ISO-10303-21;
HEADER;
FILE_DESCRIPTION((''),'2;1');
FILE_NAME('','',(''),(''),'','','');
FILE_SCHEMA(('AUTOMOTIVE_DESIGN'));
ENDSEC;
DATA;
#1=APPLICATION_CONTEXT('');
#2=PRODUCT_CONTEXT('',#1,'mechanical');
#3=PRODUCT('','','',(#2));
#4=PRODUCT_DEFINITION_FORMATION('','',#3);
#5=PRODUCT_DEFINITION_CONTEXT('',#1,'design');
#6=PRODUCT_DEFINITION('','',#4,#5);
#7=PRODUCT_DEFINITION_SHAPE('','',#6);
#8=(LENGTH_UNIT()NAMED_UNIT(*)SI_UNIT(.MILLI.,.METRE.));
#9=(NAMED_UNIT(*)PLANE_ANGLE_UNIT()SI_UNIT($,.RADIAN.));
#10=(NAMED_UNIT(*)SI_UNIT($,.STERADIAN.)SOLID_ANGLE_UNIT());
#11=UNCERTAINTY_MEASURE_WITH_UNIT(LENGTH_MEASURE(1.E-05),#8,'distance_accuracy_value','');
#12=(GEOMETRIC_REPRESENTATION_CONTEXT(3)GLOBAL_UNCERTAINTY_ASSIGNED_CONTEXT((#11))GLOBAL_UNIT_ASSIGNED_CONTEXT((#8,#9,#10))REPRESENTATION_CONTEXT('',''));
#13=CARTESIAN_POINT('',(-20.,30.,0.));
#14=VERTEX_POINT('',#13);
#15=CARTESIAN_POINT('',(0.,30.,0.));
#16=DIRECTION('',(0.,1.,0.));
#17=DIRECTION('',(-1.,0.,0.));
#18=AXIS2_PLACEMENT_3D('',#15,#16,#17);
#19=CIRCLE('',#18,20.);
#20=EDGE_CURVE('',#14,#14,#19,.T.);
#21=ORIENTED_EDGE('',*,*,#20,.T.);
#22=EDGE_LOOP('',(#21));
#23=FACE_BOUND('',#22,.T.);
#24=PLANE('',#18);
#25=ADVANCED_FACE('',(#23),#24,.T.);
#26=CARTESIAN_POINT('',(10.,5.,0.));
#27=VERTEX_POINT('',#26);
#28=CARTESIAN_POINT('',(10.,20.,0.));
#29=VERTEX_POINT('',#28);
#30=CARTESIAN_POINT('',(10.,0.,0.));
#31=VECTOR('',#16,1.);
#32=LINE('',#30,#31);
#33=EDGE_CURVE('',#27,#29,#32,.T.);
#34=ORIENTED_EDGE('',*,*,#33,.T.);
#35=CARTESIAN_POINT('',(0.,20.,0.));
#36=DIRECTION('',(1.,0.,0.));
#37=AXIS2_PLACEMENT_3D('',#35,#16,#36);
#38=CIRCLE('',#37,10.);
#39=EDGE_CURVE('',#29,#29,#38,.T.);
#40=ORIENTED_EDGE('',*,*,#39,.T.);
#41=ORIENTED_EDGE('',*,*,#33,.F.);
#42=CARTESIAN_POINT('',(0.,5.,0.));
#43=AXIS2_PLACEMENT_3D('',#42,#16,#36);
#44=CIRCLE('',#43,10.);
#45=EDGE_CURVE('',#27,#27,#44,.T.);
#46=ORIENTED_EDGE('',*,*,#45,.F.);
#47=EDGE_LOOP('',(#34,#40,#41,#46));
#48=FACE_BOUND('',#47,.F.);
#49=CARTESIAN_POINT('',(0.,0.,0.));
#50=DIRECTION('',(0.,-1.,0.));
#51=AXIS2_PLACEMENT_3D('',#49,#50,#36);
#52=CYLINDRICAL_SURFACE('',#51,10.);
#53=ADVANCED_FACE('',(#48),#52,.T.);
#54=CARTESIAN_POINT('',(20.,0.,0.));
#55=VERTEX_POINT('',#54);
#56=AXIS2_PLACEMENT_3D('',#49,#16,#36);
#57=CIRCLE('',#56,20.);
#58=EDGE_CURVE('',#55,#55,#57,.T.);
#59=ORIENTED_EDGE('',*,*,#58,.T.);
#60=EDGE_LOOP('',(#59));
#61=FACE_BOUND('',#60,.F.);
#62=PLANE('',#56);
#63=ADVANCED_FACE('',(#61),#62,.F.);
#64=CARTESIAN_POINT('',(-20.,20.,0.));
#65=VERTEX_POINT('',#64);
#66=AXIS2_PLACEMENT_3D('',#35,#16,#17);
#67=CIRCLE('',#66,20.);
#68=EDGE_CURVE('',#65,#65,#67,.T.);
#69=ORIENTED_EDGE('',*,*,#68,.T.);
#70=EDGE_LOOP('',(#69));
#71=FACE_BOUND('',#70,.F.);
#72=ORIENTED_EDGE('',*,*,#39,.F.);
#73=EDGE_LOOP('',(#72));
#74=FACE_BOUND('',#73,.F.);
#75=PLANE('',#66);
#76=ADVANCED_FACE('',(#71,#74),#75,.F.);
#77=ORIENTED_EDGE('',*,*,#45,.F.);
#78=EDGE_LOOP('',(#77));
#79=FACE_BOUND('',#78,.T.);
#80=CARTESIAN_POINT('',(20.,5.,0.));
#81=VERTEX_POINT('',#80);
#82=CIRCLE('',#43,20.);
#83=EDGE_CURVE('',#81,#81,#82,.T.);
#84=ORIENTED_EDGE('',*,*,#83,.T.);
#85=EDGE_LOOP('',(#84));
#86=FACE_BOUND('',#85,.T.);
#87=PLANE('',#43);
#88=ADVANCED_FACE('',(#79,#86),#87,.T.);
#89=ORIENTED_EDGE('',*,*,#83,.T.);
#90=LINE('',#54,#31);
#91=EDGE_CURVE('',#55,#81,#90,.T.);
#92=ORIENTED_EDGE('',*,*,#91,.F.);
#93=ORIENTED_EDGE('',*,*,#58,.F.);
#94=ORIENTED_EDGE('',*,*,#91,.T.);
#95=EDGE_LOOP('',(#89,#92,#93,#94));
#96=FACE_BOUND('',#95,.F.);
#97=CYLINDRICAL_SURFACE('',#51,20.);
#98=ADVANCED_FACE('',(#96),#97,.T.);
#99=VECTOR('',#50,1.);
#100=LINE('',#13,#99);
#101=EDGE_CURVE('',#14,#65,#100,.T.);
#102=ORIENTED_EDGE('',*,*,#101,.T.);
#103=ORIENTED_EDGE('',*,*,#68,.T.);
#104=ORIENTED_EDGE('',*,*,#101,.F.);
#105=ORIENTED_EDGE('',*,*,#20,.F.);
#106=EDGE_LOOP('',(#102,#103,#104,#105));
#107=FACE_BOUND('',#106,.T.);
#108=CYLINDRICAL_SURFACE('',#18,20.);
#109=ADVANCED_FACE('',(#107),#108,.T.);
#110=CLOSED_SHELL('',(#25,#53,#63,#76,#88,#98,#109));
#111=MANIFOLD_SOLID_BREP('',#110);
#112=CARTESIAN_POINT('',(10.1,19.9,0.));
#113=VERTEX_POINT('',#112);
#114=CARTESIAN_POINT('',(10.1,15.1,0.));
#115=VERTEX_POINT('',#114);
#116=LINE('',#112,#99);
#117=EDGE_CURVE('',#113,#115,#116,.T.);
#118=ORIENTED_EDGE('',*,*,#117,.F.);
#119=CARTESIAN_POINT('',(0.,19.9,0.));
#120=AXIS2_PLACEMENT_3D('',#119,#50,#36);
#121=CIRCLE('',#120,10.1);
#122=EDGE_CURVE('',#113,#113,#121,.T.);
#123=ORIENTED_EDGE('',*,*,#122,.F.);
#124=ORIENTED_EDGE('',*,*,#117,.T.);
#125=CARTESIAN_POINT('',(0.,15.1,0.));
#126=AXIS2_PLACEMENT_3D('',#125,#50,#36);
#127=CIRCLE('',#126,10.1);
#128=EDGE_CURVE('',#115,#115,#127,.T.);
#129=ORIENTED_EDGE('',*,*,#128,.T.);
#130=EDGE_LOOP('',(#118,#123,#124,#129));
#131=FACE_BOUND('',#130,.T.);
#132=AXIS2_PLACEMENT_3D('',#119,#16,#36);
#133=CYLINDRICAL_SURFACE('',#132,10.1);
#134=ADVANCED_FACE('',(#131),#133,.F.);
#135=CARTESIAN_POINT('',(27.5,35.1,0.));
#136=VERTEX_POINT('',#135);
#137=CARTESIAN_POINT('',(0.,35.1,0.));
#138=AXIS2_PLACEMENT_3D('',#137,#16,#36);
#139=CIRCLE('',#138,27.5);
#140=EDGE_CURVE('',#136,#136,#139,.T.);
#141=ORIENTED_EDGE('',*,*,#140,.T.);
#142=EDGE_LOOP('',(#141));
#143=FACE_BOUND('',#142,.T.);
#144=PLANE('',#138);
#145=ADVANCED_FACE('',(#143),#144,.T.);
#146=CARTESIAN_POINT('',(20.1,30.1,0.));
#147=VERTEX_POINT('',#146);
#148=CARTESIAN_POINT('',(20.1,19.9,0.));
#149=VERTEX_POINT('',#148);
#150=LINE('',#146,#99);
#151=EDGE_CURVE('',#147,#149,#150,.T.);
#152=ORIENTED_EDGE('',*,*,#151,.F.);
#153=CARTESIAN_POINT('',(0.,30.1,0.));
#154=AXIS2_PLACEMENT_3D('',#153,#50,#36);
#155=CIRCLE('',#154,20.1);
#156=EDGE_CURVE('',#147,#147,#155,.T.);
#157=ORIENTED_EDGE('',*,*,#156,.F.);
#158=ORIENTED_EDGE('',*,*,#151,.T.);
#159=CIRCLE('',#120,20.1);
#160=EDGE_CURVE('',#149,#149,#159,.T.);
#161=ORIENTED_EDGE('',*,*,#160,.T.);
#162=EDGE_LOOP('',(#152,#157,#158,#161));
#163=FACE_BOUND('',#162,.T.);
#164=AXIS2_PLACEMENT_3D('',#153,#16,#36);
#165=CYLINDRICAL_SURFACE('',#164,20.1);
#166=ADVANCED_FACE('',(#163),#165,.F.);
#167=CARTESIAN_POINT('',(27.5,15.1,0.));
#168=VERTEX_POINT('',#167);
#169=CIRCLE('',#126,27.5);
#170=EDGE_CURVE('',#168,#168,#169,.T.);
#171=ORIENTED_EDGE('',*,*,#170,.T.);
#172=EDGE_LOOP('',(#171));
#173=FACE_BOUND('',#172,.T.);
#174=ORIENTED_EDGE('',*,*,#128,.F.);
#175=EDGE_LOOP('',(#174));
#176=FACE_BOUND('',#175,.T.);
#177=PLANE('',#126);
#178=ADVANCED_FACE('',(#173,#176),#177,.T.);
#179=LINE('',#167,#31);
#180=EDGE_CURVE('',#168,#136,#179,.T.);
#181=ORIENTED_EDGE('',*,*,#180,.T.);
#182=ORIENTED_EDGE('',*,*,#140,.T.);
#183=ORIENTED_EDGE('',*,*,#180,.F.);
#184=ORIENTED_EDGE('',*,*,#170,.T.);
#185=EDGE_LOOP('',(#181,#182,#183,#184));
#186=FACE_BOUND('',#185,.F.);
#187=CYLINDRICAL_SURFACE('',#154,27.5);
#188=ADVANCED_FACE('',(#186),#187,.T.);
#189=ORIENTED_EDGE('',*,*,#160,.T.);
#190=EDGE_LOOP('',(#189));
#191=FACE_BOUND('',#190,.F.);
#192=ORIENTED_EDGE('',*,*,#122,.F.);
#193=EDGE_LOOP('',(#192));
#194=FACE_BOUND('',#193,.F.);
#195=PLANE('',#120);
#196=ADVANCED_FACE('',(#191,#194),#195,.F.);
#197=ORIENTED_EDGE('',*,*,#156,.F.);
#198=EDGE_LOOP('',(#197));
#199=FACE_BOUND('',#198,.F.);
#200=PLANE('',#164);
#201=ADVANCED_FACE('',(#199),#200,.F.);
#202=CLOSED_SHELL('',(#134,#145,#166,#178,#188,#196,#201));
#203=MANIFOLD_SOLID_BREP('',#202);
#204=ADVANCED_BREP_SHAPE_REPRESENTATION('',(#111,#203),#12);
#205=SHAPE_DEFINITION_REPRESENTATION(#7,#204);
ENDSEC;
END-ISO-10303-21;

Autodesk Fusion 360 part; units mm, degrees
sketch "Sketch1" plane through (0, 0, 0) normal (0, 1, 0) x (1, 0, 0)
  circle A0 centre (0, 0) radius 20
  circle A1 centre (0, 0) radius 10
  dimension "d1" = 40
  dimension "d2" = 20
extrude "Extrude1" add sketch "Sketch1" along normal blind 5 makes body 1
sketch "Sketch2" plane through (0, 0, 0) normal (0, 1, 0) x (1, 0, 0)
  circle A0 centre (0, 0) radius 10
  circle A1 centre (0, 0) radius 20
  circle A2 centre (0, 0) radius 10
extrude "Extrude2" add sketch "Sketch2" along normal blind 30 contours A0 A2 bodies 1
sketch "Sketch3" plane through (0, 30, 0) normal (0, 1, 0) x (-1, 0, 0)
  circle A0 centre (0, 0) radius 10
  circle A1 centre (0, 0) radius 20
  dimension "d7" = 40
extrude "Extrude3" add sketch "Sketch3" against normal blind 10 bodies 1
ref_plane "WorkPlane1" through (0, 30.1, 0) normal (0, 1, 0) x (1, 0, 0)
sketch "Sketch4" plane through (0, 30.1, 0) normal (0, 1, 0) x (1, 0, 0)
  circle A0 centre (0, 0) radius 27.5
  dimension "d11" = 55
extrude "Extrude4" add sketch "Sketch4" along normal blind 5 separate body makes body 2
ref_plane "WorkPlane2" through (0, 30.1, 0) normal (0, -1, 0) x (-1, 0, 0)
sketch "Sketch5" plane through (0, 30.1, 0) normal (0, -1, 0) x (1, 0, 0)
  circle A0 centre (0, 0) radius 20
  circle A1 centre (0, 0) radius 27.5
  circle A2 centre (0, 0) radius 20.1
  circle A3 centre (0, 0) radius 27.5
  dimension "d15" = 40.2
extrude "Extrude5" add sketch "Sketch5" along normal blind 15 contours A1 A3 bodies 2
ref_plane "WorkPlane3" through (0, 19.9, 0) normal (0, -1, 0) x (1, 0, 0)
sketch "Sketch8" plane through (0, 19.9, 0) normal (0, -1, 0) x (1, 0, 0)
  circle A0 centre (0, 0) radius 10
  circle A1 centre (0, 0) radius 20
  circle A2 centre (0, 0) radius 10.1
  circle A3 centre (0, 0) radius 20.1
  dimension "d20" = 20.2
  dimension "d21" = 40.2
extrude "Extrude8" add sketch "Sketch8" along normal blind 4.9 separate body contours A1 makes body 3
extrude "Extrude9" add sketch "Sketch8" along normal blind 4.9 contours A3 bodies 2 3
extrude "Extrude10" cut 1 faces at (16.6918, 15, -0.9986) along direction (0, 1, 0) blind 0.1 on bodies 2 bodies 2
